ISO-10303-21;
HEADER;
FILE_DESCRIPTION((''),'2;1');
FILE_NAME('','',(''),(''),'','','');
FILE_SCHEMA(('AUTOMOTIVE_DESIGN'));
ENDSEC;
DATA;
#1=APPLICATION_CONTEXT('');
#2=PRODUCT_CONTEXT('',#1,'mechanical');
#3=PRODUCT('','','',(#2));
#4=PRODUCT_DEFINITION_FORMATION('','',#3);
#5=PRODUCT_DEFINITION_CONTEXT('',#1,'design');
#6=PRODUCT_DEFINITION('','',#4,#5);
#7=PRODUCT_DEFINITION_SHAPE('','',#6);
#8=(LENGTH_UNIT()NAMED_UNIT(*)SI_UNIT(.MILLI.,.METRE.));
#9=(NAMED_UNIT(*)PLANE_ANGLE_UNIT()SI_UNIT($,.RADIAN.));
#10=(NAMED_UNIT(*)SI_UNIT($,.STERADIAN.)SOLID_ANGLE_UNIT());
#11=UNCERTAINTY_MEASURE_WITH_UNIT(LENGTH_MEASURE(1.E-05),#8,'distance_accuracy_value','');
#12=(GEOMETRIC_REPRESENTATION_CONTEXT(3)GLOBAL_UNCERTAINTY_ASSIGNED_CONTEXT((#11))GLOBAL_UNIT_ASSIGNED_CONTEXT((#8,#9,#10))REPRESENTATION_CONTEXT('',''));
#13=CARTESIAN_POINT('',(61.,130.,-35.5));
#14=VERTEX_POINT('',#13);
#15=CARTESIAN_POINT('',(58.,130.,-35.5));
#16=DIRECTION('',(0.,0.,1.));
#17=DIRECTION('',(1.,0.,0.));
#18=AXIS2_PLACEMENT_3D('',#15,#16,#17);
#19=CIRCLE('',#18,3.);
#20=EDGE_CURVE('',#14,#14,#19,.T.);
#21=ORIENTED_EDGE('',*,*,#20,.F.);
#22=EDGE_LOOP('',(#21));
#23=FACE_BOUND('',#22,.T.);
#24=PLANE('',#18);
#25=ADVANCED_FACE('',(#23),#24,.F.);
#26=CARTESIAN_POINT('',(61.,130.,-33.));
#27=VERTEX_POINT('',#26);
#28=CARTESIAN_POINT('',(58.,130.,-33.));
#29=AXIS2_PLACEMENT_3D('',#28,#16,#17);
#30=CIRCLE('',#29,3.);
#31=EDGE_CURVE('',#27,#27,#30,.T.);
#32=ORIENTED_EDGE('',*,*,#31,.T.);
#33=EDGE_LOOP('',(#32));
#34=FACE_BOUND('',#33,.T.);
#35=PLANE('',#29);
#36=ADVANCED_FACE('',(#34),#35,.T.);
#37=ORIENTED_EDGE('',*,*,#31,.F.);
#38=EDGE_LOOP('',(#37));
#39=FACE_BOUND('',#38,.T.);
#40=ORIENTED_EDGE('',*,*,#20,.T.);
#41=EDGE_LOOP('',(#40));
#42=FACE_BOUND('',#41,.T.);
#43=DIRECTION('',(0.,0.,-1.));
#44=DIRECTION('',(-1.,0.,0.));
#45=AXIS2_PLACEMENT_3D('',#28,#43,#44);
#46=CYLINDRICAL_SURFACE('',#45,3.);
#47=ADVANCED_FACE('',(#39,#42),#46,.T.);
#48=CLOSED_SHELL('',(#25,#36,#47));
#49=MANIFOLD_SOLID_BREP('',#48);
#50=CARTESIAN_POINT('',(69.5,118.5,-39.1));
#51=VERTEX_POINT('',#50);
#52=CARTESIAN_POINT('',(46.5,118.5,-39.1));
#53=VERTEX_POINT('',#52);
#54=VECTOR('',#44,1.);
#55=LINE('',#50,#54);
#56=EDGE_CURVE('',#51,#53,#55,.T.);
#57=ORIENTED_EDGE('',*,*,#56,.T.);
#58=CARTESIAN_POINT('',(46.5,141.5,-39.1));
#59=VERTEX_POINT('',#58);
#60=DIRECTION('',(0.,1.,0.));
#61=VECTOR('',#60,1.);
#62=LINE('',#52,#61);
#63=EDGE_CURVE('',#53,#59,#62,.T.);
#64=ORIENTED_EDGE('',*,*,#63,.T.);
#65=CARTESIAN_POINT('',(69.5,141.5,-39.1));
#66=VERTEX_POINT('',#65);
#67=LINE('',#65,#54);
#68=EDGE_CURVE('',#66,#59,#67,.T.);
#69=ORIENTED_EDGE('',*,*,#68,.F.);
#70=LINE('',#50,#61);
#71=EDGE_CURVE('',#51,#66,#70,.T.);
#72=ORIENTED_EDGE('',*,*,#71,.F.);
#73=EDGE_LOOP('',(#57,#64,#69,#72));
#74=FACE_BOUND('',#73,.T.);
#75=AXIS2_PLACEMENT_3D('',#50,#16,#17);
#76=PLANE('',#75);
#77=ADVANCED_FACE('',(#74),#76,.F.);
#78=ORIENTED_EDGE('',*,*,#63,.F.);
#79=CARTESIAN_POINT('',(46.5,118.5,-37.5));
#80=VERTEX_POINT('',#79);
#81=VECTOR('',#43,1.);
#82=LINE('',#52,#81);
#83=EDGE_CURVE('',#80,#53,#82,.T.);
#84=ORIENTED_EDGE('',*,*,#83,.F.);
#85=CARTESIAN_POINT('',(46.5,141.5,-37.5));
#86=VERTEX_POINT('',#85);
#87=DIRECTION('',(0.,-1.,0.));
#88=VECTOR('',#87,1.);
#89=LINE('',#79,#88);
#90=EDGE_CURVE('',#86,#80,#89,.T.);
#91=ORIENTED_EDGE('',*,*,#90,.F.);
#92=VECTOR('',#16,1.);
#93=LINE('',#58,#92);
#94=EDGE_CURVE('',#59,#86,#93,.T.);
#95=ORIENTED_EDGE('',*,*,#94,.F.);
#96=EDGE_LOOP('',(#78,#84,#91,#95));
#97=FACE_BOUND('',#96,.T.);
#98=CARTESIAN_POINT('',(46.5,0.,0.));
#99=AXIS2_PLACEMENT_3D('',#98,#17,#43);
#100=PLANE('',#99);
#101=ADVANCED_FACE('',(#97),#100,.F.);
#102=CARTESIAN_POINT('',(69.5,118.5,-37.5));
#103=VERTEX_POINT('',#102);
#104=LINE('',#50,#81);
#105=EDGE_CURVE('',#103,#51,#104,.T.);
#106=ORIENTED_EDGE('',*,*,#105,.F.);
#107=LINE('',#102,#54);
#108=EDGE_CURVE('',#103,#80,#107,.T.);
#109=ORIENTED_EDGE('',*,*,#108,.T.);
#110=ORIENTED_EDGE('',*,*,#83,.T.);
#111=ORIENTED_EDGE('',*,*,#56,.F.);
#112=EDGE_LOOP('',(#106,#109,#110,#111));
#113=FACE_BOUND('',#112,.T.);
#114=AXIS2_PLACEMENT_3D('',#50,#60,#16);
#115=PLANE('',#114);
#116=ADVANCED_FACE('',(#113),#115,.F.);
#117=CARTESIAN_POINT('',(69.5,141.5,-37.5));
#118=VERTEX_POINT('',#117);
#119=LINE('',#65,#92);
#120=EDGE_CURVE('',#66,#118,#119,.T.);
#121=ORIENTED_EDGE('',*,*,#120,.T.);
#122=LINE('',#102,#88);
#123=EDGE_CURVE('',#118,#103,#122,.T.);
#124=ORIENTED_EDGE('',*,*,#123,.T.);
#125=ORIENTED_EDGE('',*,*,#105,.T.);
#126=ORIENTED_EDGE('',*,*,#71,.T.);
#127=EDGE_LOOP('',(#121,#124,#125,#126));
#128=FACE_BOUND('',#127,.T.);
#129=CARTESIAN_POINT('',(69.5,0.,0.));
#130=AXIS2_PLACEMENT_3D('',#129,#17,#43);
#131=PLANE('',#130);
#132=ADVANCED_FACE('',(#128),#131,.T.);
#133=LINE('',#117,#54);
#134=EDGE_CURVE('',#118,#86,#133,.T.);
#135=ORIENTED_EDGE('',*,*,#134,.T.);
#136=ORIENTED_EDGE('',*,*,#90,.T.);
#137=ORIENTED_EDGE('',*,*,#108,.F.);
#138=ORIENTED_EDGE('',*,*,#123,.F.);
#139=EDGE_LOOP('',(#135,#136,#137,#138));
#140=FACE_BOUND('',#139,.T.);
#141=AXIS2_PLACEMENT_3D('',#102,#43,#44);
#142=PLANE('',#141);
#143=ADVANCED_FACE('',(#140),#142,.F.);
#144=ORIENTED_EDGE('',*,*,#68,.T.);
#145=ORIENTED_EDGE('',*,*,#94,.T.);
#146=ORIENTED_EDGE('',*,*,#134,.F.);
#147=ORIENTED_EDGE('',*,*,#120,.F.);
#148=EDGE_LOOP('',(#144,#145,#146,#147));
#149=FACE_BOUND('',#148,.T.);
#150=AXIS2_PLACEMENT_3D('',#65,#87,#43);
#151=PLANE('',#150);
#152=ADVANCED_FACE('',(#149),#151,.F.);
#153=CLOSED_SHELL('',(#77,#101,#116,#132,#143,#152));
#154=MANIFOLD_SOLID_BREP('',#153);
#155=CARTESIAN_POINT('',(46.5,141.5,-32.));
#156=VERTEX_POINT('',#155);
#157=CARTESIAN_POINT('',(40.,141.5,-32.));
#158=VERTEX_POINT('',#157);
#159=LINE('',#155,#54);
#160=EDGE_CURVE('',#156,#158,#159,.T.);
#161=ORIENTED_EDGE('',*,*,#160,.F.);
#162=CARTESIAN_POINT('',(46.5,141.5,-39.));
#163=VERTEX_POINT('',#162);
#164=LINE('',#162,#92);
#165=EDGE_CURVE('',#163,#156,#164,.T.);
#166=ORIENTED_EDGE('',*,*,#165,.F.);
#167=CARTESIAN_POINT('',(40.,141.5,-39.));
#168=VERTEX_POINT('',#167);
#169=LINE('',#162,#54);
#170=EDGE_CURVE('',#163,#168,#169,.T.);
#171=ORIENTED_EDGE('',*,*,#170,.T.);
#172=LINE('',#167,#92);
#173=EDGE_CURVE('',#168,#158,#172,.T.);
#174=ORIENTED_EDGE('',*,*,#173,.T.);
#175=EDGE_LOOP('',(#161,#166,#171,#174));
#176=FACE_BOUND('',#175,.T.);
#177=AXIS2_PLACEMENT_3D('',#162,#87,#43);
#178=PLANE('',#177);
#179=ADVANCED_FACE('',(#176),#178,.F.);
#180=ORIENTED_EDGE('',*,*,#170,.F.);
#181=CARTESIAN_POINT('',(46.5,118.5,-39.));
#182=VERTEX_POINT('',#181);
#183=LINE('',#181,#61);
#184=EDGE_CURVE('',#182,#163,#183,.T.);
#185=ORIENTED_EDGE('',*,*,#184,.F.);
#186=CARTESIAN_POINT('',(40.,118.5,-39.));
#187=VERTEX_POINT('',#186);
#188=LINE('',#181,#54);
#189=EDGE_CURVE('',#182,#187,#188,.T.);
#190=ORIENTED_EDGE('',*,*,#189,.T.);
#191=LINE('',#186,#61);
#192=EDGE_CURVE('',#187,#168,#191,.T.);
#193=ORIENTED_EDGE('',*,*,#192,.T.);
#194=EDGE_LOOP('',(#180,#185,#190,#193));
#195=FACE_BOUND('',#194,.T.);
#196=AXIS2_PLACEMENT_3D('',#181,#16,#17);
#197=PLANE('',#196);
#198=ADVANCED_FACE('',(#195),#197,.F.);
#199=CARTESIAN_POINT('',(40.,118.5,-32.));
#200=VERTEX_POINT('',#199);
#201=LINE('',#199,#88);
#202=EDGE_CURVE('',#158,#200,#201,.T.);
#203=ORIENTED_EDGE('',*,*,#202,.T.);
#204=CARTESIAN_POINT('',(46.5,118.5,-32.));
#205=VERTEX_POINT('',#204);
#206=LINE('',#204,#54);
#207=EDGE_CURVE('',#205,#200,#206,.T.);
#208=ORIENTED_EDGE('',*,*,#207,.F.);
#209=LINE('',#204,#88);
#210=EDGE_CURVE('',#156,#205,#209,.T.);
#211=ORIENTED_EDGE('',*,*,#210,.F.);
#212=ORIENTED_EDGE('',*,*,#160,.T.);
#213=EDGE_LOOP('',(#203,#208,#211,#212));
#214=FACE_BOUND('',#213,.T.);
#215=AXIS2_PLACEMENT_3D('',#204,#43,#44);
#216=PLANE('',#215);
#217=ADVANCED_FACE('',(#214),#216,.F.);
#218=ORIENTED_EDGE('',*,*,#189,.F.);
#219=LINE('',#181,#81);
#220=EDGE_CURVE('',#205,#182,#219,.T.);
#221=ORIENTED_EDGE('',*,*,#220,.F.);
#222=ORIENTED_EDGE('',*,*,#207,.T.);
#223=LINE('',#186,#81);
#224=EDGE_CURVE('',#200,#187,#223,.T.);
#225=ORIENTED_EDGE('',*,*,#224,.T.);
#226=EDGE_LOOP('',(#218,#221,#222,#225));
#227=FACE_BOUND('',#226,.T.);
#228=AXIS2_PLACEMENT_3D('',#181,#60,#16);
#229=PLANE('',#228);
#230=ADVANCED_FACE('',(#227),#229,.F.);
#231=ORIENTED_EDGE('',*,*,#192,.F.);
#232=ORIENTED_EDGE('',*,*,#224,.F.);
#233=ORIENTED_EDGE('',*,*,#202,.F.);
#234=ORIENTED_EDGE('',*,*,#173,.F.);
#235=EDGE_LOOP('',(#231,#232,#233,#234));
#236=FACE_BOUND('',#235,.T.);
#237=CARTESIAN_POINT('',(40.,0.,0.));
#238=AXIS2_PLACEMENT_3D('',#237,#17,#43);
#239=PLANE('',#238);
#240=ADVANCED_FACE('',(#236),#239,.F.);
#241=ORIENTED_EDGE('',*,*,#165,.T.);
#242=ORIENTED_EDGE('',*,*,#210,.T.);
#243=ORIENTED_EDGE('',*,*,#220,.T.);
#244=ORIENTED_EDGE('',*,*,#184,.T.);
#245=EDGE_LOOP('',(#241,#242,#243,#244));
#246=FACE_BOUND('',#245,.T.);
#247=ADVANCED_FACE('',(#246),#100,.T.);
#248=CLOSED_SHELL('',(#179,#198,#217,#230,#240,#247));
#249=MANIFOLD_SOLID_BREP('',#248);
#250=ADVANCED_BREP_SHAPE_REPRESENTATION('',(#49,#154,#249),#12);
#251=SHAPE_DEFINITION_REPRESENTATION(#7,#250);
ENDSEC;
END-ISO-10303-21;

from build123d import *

# Parameters (mm, degrees)
MAGNET_START         = -35.5
SKETCH1_R            = 3
MAGNET_DEPTH         = 2.5
AS5600_BOARD_START   = 46.5
SKETCH2_W            = 1.6
SKETCH2_H            = 23
AS5600_BOARD_DEPTH   = 23
SENSOR_BRACKET_START = 40
SKETCH3_W            = 7
SKETCH3_H            = 23
SENSOR_BRACKET_DEPTH = 6.5


with BuildPart() as part:
    # Sketch1 → magnet (new body)
    with BuildSketch(Plane.XY.offset(MAGNET_START)):
        with Locations((58, 130)):
            Circle(SKETCH1_R)
    extrude(amount=MAGNET_DEPTH)


with BuildPart() as body_2:
    # Sketch2 → as5600_board (new body)
    with BuildSketch(Plane(origin=(0, 0, 0), x_dir=(0, 0, -1), z_dir=(1, 0, 0)).offset(AS5600_BOARD_START)):
        with Locations((38.3, 130)):
            Rectangle(SKETCH2_W, SKETCH2_H)
    extrude(amount=AS5600_BOARD_DEPTH)


with BuildPart() as body_3:
    # Sketch3 → sensor_bracket (new body)
    with BuildSketch(Plane(origin=(0, 0, 0), x_dir=(0, 0, -1), z_dir=(1, 0, 0)).offset(SENSOR_BRACKET_START)):
        with Locations((35.5, 130)):
            Rectangle(SKETCH3_W, SKETCH3_H)
    extrude(amount=SENSOR_BRACKET_DEPTH)


solid = Compound([part.part, body_2.part, body_3.part])
